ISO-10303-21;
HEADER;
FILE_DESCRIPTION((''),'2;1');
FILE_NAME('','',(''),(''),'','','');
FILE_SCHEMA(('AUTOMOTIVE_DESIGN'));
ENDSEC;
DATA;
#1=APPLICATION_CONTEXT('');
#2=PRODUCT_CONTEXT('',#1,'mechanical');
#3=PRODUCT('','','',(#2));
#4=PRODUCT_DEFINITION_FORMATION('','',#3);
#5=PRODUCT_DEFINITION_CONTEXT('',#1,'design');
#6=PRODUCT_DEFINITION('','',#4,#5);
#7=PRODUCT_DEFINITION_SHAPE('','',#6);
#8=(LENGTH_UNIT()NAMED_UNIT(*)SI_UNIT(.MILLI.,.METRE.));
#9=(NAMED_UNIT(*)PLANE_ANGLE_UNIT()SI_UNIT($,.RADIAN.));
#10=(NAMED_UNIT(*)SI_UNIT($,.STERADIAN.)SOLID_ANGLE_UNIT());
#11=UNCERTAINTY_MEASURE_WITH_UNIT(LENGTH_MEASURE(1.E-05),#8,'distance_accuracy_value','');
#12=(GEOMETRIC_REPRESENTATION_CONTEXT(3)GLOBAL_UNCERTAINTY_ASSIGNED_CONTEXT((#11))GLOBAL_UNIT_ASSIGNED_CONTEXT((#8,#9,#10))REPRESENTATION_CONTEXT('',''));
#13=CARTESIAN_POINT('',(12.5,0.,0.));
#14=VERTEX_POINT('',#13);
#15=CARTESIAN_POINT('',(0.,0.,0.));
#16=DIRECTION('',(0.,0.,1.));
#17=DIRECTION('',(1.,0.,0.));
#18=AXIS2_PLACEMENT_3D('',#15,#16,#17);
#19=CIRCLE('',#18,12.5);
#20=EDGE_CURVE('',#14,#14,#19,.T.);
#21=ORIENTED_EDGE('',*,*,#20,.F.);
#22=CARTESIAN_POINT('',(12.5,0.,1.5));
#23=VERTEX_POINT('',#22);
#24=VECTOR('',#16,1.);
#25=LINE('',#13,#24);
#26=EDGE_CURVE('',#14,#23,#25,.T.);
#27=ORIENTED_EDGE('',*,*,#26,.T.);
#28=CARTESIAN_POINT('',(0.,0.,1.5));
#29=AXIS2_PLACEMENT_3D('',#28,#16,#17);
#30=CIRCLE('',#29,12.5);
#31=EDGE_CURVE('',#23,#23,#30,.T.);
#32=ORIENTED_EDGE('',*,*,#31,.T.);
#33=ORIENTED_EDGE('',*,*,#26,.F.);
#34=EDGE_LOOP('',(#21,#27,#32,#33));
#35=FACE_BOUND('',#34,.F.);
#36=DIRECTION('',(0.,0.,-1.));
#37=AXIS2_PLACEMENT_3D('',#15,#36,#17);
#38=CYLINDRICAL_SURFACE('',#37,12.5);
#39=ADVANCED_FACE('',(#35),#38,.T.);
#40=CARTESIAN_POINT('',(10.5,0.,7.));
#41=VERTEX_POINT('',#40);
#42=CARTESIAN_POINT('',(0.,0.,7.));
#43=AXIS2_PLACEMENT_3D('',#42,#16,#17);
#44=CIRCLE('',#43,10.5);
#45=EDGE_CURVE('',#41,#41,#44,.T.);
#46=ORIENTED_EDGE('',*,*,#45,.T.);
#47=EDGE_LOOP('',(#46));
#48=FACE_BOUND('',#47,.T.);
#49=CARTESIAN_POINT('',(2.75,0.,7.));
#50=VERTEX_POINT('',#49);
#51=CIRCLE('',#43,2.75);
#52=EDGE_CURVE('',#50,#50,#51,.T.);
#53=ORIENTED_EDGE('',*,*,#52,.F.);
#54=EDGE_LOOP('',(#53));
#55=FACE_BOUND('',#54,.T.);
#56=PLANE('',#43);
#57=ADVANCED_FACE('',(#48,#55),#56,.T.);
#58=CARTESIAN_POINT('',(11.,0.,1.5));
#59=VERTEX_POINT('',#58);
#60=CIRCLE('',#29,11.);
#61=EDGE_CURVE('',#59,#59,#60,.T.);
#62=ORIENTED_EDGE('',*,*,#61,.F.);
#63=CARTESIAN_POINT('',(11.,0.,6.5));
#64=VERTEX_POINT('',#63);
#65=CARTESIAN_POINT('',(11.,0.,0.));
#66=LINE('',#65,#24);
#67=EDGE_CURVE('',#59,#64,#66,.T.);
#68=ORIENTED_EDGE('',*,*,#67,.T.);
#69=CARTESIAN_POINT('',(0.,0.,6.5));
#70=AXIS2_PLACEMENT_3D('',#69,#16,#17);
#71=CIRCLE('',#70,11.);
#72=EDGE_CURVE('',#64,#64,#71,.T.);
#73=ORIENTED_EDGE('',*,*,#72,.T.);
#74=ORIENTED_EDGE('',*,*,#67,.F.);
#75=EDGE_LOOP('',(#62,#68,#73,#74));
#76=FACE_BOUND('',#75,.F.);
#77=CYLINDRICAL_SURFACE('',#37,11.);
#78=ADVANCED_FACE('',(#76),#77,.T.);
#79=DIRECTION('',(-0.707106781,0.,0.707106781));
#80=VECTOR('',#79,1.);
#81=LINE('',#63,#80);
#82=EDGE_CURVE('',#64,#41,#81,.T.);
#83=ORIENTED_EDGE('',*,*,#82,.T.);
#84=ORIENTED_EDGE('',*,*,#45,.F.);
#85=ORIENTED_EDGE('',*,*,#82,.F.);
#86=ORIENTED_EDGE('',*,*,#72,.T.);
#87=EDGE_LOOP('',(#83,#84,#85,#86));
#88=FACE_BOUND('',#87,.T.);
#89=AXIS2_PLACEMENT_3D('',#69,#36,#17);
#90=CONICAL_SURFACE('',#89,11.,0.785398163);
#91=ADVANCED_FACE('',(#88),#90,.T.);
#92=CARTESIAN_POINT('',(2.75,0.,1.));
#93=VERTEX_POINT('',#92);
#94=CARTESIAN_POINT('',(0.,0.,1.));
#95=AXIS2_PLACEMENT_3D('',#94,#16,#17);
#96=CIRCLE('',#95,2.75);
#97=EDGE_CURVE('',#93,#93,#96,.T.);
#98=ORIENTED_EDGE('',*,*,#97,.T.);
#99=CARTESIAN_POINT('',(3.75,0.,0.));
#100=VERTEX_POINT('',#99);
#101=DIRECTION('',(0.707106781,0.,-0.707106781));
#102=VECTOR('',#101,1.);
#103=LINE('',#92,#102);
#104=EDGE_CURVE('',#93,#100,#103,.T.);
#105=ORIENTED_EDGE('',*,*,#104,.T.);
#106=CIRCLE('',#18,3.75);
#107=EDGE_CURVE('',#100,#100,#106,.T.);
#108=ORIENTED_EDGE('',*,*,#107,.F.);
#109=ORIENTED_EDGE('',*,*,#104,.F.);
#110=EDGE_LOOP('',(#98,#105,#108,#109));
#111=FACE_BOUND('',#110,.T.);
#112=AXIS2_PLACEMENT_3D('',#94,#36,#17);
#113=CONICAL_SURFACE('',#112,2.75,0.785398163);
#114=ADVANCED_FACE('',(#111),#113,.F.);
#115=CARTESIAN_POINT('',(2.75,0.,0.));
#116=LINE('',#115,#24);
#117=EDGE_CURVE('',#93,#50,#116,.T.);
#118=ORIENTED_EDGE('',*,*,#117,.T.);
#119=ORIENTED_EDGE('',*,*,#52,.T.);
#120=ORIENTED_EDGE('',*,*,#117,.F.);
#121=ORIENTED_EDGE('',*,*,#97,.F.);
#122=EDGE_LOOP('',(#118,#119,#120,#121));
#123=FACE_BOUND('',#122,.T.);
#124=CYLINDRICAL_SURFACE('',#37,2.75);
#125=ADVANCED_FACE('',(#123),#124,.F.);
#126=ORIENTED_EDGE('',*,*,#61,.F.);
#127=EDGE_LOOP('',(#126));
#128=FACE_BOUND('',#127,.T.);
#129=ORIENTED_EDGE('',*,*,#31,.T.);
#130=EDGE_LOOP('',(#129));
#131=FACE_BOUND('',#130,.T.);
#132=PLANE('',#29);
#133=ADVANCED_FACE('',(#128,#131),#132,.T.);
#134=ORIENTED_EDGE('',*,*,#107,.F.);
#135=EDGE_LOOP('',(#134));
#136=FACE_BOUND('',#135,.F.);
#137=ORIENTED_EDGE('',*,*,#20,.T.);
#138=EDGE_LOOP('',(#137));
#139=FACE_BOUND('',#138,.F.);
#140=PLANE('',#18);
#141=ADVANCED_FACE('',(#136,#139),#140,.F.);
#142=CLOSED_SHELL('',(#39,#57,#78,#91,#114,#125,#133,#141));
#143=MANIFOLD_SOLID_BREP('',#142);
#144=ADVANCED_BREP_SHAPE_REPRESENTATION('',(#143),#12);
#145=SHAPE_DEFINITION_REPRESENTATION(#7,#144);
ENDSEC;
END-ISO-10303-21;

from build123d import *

# Parameters (mm, degrees)
F0_R     = 11
F0_R_2   = 2.75
F1_DEPTH = 7
F0_R_3   = 12.5
F2_DEPTH = 1.5
F3_SIZE  = 0.5
F4_SIZE  = 1


with BuildPart() as f1:
    # F0 (on Top) → F1 (new body)
    with BuildSketch(Plane.XY):
        Circle(F0_R)
        Circle(F0_R_2, mode=Mode.SUBTRACT)
    extrude(amount=F1_DEPTH)

    # F0 (on Top) → F2 (join)
    with BuildSketch(Plane.XY):
        Circle(F0_R_3)
        Circle(F0_R, mode=Mode.SUBTRACT)
    extrude(amount=F2_DEPTH)

    # F3
    f3_edges = [f1.edges().sort_by_distance(p)[0] for p in [
        (-11, 0, 7),
    ]]
    chamfer(f3_edges, length=F3_SIZE)

    # F4
    f4_edges = [f1.edges().sort_by_distance(p)[0] for p in [
        (-2.75, 0, 0),
    ]]
    chamfer(f4_edges, length=F4_SIZE)


solid = f1.part
